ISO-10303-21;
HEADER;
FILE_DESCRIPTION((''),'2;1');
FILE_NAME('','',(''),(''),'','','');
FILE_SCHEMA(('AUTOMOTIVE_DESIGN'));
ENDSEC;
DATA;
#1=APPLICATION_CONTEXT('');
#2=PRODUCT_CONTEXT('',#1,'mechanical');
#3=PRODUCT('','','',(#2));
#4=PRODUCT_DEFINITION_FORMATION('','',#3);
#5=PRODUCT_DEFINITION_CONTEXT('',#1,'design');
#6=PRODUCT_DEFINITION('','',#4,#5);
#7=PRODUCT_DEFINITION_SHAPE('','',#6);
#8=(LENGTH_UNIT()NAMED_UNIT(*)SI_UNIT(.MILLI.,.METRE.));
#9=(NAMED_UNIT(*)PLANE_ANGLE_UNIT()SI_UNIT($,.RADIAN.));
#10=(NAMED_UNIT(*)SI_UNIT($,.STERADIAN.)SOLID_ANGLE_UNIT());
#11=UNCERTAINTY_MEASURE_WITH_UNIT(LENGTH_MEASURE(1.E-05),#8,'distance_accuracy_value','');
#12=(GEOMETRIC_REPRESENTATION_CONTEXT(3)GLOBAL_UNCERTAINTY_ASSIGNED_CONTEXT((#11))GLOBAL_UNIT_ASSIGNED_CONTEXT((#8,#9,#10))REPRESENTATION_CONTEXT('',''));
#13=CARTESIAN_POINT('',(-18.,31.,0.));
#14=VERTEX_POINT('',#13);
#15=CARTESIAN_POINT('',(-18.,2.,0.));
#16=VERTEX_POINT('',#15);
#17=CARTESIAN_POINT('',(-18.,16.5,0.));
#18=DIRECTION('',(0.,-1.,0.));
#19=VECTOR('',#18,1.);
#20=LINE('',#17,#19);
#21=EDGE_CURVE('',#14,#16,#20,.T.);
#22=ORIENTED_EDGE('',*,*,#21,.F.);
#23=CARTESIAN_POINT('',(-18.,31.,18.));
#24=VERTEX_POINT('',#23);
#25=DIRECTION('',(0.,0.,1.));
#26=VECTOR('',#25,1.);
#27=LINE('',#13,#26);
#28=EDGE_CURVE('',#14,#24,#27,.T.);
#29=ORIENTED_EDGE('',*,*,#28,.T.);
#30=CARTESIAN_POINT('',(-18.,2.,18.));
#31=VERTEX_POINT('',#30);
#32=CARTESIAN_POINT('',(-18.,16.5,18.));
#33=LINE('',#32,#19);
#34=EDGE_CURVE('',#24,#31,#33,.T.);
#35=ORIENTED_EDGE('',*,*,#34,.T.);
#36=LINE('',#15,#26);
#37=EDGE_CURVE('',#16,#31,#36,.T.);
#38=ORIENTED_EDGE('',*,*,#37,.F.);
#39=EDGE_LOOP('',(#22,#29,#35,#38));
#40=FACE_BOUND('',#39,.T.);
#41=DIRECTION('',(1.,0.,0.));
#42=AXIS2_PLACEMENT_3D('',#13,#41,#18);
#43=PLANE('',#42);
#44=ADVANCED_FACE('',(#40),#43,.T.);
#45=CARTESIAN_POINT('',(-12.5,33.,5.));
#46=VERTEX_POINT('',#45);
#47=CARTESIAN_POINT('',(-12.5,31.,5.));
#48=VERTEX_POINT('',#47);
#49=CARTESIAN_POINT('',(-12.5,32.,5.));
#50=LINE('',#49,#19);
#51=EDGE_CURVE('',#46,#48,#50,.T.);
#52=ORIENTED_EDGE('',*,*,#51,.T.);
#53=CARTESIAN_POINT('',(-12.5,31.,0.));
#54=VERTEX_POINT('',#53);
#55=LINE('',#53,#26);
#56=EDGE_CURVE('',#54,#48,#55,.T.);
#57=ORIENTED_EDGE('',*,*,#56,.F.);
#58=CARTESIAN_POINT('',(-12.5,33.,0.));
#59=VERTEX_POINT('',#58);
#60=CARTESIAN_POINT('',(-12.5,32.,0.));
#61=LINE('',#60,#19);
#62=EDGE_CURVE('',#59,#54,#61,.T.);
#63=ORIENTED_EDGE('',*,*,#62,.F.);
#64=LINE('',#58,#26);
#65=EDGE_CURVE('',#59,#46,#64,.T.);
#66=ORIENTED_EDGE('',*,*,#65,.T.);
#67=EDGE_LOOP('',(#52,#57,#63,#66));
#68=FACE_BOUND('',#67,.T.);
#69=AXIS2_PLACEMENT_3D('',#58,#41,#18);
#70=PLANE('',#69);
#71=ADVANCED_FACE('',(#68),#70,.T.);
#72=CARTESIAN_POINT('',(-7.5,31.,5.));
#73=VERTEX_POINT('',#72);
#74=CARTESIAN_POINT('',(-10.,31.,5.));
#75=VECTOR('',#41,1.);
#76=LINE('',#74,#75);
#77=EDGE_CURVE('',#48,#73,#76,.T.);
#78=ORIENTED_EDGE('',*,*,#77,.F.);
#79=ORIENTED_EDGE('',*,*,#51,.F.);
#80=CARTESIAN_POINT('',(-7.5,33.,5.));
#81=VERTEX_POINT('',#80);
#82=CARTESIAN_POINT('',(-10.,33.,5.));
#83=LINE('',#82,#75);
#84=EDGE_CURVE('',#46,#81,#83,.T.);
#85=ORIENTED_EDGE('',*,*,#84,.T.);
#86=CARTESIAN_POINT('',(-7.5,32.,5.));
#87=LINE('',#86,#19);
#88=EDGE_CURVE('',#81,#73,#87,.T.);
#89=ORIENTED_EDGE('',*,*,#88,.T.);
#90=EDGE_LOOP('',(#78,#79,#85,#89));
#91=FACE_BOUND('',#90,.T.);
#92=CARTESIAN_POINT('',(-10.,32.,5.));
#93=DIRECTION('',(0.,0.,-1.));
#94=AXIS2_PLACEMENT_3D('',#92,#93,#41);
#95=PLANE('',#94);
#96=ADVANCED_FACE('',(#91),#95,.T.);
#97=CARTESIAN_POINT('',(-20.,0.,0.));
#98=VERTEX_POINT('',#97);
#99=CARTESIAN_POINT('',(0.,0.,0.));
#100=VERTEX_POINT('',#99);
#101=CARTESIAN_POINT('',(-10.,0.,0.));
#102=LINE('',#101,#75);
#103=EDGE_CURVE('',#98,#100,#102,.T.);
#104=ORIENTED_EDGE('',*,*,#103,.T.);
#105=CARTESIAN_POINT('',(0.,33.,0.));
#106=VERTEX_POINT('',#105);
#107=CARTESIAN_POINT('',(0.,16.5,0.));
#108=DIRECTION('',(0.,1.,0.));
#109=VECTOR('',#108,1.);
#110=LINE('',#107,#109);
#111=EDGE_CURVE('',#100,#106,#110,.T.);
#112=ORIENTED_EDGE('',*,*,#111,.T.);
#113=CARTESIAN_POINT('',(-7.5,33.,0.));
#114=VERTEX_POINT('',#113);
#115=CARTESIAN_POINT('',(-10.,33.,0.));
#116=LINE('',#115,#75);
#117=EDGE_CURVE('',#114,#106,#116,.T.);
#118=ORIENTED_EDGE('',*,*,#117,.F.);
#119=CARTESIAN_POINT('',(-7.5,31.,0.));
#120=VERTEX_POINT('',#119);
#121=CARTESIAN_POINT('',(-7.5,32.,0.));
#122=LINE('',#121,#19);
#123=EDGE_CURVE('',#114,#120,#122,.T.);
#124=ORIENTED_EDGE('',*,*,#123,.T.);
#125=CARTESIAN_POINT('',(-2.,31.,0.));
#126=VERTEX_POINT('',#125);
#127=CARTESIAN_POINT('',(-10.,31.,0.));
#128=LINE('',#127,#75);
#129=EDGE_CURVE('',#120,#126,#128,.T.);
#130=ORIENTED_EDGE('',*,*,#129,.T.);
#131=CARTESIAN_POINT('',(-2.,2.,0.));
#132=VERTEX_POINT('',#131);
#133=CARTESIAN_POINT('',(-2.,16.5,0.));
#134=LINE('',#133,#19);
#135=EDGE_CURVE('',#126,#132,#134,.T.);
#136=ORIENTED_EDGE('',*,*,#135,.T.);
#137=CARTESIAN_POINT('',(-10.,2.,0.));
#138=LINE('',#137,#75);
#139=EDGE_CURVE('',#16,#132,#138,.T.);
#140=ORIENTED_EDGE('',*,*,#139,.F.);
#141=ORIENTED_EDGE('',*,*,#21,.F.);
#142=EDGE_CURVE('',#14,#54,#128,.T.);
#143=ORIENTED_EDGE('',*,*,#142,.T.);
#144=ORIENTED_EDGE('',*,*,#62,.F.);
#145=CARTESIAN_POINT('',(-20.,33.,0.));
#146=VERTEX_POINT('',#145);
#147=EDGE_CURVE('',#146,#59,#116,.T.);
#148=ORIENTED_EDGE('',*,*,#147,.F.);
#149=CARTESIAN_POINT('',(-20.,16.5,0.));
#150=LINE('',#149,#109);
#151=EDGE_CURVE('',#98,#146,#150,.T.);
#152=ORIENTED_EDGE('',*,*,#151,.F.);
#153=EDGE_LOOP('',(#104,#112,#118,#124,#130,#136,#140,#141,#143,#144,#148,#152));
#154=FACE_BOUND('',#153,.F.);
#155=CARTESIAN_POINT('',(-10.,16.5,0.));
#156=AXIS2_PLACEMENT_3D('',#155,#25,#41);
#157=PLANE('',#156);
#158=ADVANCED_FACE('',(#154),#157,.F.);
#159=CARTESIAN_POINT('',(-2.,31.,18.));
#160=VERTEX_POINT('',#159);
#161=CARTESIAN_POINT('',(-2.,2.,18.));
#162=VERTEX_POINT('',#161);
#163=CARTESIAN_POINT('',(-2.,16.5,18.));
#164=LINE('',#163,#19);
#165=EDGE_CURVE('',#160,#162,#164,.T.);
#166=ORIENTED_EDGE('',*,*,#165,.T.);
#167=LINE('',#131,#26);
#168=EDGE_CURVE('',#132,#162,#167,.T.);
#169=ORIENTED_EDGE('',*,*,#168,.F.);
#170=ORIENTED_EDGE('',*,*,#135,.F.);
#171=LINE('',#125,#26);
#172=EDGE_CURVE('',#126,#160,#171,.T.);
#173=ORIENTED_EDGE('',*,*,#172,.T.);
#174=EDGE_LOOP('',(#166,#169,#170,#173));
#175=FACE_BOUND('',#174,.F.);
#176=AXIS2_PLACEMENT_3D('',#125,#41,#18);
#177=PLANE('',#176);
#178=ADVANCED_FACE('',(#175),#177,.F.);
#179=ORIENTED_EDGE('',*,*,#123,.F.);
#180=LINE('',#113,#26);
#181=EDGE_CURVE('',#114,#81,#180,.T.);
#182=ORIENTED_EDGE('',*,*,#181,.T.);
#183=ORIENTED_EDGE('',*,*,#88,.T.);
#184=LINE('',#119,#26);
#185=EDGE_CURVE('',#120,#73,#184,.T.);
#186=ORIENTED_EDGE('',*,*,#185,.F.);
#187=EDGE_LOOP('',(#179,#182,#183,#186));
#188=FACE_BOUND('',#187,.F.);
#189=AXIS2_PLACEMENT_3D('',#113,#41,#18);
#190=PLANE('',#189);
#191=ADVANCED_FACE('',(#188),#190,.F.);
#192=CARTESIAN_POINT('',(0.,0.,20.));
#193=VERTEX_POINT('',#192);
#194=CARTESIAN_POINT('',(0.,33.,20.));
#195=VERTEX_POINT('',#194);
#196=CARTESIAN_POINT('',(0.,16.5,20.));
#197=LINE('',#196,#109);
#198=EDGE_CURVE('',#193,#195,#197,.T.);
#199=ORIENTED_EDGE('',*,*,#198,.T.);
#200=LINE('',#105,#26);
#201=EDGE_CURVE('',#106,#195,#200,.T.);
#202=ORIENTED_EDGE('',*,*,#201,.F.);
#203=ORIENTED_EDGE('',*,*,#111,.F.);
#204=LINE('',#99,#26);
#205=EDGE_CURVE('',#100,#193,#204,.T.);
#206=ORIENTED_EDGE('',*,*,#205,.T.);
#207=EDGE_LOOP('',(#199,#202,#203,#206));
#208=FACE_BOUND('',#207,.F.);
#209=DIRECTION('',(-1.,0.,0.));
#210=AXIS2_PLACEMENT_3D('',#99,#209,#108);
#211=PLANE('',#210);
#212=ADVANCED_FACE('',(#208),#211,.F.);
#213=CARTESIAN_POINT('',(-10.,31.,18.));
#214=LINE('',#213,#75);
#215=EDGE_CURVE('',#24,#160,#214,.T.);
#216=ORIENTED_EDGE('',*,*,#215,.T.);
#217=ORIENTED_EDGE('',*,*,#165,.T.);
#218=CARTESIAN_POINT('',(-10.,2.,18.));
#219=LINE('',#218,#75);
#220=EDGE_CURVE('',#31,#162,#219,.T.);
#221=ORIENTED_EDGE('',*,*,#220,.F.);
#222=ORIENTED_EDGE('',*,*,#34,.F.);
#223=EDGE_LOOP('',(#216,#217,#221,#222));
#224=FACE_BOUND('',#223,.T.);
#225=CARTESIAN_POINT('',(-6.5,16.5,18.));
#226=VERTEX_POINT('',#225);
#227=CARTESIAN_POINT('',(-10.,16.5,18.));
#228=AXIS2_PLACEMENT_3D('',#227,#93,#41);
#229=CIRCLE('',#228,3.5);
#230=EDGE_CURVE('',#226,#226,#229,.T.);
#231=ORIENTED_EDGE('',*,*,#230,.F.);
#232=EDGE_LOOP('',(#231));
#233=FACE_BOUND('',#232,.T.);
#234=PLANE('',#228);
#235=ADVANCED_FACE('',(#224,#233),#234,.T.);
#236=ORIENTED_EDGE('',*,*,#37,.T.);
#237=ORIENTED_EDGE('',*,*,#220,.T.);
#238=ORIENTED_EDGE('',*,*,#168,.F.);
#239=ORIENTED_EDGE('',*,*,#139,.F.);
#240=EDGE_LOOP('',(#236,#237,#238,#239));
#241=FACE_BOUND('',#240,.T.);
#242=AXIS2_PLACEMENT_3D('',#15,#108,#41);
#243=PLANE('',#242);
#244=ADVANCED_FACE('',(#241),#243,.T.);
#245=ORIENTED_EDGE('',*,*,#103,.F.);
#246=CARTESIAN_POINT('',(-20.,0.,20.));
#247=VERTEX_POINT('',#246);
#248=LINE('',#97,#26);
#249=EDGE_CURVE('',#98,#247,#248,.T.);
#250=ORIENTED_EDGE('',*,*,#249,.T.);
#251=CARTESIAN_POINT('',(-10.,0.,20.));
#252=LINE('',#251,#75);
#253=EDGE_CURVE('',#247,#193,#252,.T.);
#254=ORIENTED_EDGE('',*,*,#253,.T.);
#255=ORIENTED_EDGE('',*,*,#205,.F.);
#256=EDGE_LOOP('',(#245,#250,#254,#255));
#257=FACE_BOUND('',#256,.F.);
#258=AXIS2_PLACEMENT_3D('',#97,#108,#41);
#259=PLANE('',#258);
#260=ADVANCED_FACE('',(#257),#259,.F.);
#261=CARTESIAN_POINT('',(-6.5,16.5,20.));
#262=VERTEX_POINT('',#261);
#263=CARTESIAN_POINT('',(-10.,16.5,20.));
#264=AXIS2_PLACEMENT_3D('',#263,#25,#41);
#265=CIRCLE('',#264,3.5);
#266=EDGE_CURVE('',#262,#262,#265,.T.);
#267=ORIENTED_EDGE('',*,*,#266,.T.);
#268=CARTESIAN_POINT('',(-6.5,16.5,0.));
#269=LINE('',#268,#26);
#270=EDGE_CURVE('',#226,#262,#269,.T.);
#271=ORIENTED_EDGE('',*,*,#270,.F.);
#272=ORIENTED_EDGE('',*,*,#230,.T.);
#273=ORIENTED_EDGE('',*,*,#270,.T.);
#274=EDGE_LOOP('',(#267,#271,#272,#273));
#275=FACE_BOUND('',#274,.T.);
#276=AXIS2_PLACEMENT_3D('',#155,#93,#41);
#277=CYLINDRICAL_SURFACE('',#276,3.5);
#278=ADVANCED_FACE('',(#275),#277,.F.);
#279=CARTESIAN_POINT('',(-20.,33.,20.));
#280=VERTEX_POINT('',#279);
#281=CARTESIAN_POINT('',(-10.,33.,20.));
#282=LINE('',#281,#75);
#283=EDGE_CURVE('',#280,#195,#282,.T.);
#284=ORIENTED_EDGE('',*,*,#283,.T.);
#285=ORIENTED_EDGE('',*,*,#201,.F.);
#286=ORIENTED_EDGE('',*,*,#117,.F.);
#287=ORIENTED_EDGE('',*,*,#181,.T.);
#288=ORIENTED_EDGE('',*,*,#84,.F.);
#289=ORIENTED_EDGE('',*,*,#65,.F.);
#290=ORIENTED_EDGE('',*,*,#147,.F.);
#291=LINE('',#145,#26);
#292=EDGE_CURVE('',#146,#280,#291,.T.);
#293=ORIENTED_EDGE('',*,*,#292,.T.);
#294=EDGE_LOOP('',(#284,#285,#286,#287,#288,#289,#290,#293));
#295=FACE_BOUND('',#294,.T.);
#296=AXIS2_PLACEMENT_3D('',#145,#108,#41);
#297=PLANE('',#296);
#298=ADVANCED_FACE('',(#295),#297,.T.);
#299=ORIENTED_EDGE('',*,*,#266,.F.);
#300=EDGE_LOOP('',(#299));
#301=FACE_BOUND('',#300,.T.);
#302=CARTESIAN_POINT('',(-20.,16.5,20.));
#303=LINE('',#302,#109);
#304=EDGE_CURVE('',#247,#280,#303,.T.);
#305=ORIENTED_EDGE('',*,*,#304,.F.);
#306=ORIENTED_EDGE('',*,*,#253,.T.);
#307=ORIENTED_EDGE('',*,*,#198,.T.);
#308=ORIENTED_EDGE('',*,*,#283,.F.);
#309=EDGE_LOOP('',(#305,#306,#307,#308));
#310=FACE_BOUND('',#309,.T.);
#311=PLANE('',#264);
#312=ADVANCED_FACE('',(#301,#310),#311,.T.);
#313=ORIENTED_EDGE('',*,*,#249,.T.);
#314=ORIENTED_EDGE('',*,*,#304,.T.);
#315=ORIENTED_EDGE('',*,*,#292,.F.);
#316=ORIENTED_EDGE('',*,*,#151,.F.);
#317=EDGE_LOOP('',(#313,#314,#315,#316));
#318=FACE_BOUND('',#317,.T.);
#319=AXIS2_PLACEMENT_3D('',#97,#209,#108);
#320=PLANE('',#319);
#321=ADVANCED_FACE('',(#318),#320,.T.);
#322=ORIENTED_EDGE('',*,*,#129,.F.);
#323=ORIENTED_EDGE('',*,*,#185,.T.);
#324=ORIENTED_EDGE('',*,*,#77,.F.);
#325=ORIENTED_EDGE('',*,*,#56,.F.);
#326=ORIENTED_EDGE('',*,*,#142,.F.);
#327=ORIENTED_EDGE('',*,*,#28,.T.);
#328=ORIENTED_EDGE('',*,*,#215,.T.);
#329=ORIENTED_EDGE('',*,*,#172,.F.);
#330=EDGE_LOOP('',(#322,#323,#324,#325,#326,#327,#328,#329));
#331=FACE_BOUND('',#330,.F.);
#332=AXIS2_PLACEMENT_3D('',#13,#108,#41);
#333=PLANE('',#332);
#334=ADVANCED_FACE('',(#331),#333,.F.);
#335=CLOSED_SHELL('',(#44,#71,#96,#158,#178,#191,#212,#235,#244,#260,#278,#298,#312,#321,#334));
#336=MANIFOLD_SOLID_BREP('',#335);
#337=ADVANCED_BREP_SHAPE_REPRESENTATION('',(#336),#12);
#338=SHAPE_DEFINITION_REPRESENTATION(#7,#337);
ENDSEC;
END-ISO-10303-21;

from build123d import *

# Parameters (mm, degrees)
F0_W     = 20
F0_H     = 33
F0_R     = 3.5
F1_DEPTH = 20
F2_W     = 16
F2_H     = 29
F2_R     = 3.5
F3_DEPTH = 18
F4_W     = 5
F4_H     = 2
F5_DEPTH = 5


with BuildPart() as f1:
    # F0 (on Top) → F1 (new body)
    with BuildSketch(Plane.XY):
        with Locations((-10, 16.5)):
            Rectangle(F0_W, F0_H)
        with Locations((-10, 16.5)):
            Circle(F0_R, mode=Mode.SUBTRACT)
    extrude(amount=F1_DEPTH)

    # F2 (on face) → F3 (cut)
    with BuildSketch(Plane(origin=(0, 0, 0), x_dir=(1, 0, 0), z_dir=(0, 0, -1))):
        with Locations((-10, -16.5)):
            Rectangle(F2_W, F2_H)
        with Locations((-10, -16.5)):
            Circle(F2_R, mode=Mode.SUBTRACT)
    extrude(amount=-F3_DEPTH, mode=Mode.SUBTRACT)

    # F4 (on face) → F5 (cut)
    with BuildSketch(Plane(origin=(0, 0, 0), x_dir=(1, 0, 0), z_dir=(0, 0, -1))):
        with Locations((-10, -32)):
            Rectangle(F4_W, F4_H)
    extrude(amount=-F5_DEPTH, mode=Mode.SUBTRACT)


solid = f1.part
